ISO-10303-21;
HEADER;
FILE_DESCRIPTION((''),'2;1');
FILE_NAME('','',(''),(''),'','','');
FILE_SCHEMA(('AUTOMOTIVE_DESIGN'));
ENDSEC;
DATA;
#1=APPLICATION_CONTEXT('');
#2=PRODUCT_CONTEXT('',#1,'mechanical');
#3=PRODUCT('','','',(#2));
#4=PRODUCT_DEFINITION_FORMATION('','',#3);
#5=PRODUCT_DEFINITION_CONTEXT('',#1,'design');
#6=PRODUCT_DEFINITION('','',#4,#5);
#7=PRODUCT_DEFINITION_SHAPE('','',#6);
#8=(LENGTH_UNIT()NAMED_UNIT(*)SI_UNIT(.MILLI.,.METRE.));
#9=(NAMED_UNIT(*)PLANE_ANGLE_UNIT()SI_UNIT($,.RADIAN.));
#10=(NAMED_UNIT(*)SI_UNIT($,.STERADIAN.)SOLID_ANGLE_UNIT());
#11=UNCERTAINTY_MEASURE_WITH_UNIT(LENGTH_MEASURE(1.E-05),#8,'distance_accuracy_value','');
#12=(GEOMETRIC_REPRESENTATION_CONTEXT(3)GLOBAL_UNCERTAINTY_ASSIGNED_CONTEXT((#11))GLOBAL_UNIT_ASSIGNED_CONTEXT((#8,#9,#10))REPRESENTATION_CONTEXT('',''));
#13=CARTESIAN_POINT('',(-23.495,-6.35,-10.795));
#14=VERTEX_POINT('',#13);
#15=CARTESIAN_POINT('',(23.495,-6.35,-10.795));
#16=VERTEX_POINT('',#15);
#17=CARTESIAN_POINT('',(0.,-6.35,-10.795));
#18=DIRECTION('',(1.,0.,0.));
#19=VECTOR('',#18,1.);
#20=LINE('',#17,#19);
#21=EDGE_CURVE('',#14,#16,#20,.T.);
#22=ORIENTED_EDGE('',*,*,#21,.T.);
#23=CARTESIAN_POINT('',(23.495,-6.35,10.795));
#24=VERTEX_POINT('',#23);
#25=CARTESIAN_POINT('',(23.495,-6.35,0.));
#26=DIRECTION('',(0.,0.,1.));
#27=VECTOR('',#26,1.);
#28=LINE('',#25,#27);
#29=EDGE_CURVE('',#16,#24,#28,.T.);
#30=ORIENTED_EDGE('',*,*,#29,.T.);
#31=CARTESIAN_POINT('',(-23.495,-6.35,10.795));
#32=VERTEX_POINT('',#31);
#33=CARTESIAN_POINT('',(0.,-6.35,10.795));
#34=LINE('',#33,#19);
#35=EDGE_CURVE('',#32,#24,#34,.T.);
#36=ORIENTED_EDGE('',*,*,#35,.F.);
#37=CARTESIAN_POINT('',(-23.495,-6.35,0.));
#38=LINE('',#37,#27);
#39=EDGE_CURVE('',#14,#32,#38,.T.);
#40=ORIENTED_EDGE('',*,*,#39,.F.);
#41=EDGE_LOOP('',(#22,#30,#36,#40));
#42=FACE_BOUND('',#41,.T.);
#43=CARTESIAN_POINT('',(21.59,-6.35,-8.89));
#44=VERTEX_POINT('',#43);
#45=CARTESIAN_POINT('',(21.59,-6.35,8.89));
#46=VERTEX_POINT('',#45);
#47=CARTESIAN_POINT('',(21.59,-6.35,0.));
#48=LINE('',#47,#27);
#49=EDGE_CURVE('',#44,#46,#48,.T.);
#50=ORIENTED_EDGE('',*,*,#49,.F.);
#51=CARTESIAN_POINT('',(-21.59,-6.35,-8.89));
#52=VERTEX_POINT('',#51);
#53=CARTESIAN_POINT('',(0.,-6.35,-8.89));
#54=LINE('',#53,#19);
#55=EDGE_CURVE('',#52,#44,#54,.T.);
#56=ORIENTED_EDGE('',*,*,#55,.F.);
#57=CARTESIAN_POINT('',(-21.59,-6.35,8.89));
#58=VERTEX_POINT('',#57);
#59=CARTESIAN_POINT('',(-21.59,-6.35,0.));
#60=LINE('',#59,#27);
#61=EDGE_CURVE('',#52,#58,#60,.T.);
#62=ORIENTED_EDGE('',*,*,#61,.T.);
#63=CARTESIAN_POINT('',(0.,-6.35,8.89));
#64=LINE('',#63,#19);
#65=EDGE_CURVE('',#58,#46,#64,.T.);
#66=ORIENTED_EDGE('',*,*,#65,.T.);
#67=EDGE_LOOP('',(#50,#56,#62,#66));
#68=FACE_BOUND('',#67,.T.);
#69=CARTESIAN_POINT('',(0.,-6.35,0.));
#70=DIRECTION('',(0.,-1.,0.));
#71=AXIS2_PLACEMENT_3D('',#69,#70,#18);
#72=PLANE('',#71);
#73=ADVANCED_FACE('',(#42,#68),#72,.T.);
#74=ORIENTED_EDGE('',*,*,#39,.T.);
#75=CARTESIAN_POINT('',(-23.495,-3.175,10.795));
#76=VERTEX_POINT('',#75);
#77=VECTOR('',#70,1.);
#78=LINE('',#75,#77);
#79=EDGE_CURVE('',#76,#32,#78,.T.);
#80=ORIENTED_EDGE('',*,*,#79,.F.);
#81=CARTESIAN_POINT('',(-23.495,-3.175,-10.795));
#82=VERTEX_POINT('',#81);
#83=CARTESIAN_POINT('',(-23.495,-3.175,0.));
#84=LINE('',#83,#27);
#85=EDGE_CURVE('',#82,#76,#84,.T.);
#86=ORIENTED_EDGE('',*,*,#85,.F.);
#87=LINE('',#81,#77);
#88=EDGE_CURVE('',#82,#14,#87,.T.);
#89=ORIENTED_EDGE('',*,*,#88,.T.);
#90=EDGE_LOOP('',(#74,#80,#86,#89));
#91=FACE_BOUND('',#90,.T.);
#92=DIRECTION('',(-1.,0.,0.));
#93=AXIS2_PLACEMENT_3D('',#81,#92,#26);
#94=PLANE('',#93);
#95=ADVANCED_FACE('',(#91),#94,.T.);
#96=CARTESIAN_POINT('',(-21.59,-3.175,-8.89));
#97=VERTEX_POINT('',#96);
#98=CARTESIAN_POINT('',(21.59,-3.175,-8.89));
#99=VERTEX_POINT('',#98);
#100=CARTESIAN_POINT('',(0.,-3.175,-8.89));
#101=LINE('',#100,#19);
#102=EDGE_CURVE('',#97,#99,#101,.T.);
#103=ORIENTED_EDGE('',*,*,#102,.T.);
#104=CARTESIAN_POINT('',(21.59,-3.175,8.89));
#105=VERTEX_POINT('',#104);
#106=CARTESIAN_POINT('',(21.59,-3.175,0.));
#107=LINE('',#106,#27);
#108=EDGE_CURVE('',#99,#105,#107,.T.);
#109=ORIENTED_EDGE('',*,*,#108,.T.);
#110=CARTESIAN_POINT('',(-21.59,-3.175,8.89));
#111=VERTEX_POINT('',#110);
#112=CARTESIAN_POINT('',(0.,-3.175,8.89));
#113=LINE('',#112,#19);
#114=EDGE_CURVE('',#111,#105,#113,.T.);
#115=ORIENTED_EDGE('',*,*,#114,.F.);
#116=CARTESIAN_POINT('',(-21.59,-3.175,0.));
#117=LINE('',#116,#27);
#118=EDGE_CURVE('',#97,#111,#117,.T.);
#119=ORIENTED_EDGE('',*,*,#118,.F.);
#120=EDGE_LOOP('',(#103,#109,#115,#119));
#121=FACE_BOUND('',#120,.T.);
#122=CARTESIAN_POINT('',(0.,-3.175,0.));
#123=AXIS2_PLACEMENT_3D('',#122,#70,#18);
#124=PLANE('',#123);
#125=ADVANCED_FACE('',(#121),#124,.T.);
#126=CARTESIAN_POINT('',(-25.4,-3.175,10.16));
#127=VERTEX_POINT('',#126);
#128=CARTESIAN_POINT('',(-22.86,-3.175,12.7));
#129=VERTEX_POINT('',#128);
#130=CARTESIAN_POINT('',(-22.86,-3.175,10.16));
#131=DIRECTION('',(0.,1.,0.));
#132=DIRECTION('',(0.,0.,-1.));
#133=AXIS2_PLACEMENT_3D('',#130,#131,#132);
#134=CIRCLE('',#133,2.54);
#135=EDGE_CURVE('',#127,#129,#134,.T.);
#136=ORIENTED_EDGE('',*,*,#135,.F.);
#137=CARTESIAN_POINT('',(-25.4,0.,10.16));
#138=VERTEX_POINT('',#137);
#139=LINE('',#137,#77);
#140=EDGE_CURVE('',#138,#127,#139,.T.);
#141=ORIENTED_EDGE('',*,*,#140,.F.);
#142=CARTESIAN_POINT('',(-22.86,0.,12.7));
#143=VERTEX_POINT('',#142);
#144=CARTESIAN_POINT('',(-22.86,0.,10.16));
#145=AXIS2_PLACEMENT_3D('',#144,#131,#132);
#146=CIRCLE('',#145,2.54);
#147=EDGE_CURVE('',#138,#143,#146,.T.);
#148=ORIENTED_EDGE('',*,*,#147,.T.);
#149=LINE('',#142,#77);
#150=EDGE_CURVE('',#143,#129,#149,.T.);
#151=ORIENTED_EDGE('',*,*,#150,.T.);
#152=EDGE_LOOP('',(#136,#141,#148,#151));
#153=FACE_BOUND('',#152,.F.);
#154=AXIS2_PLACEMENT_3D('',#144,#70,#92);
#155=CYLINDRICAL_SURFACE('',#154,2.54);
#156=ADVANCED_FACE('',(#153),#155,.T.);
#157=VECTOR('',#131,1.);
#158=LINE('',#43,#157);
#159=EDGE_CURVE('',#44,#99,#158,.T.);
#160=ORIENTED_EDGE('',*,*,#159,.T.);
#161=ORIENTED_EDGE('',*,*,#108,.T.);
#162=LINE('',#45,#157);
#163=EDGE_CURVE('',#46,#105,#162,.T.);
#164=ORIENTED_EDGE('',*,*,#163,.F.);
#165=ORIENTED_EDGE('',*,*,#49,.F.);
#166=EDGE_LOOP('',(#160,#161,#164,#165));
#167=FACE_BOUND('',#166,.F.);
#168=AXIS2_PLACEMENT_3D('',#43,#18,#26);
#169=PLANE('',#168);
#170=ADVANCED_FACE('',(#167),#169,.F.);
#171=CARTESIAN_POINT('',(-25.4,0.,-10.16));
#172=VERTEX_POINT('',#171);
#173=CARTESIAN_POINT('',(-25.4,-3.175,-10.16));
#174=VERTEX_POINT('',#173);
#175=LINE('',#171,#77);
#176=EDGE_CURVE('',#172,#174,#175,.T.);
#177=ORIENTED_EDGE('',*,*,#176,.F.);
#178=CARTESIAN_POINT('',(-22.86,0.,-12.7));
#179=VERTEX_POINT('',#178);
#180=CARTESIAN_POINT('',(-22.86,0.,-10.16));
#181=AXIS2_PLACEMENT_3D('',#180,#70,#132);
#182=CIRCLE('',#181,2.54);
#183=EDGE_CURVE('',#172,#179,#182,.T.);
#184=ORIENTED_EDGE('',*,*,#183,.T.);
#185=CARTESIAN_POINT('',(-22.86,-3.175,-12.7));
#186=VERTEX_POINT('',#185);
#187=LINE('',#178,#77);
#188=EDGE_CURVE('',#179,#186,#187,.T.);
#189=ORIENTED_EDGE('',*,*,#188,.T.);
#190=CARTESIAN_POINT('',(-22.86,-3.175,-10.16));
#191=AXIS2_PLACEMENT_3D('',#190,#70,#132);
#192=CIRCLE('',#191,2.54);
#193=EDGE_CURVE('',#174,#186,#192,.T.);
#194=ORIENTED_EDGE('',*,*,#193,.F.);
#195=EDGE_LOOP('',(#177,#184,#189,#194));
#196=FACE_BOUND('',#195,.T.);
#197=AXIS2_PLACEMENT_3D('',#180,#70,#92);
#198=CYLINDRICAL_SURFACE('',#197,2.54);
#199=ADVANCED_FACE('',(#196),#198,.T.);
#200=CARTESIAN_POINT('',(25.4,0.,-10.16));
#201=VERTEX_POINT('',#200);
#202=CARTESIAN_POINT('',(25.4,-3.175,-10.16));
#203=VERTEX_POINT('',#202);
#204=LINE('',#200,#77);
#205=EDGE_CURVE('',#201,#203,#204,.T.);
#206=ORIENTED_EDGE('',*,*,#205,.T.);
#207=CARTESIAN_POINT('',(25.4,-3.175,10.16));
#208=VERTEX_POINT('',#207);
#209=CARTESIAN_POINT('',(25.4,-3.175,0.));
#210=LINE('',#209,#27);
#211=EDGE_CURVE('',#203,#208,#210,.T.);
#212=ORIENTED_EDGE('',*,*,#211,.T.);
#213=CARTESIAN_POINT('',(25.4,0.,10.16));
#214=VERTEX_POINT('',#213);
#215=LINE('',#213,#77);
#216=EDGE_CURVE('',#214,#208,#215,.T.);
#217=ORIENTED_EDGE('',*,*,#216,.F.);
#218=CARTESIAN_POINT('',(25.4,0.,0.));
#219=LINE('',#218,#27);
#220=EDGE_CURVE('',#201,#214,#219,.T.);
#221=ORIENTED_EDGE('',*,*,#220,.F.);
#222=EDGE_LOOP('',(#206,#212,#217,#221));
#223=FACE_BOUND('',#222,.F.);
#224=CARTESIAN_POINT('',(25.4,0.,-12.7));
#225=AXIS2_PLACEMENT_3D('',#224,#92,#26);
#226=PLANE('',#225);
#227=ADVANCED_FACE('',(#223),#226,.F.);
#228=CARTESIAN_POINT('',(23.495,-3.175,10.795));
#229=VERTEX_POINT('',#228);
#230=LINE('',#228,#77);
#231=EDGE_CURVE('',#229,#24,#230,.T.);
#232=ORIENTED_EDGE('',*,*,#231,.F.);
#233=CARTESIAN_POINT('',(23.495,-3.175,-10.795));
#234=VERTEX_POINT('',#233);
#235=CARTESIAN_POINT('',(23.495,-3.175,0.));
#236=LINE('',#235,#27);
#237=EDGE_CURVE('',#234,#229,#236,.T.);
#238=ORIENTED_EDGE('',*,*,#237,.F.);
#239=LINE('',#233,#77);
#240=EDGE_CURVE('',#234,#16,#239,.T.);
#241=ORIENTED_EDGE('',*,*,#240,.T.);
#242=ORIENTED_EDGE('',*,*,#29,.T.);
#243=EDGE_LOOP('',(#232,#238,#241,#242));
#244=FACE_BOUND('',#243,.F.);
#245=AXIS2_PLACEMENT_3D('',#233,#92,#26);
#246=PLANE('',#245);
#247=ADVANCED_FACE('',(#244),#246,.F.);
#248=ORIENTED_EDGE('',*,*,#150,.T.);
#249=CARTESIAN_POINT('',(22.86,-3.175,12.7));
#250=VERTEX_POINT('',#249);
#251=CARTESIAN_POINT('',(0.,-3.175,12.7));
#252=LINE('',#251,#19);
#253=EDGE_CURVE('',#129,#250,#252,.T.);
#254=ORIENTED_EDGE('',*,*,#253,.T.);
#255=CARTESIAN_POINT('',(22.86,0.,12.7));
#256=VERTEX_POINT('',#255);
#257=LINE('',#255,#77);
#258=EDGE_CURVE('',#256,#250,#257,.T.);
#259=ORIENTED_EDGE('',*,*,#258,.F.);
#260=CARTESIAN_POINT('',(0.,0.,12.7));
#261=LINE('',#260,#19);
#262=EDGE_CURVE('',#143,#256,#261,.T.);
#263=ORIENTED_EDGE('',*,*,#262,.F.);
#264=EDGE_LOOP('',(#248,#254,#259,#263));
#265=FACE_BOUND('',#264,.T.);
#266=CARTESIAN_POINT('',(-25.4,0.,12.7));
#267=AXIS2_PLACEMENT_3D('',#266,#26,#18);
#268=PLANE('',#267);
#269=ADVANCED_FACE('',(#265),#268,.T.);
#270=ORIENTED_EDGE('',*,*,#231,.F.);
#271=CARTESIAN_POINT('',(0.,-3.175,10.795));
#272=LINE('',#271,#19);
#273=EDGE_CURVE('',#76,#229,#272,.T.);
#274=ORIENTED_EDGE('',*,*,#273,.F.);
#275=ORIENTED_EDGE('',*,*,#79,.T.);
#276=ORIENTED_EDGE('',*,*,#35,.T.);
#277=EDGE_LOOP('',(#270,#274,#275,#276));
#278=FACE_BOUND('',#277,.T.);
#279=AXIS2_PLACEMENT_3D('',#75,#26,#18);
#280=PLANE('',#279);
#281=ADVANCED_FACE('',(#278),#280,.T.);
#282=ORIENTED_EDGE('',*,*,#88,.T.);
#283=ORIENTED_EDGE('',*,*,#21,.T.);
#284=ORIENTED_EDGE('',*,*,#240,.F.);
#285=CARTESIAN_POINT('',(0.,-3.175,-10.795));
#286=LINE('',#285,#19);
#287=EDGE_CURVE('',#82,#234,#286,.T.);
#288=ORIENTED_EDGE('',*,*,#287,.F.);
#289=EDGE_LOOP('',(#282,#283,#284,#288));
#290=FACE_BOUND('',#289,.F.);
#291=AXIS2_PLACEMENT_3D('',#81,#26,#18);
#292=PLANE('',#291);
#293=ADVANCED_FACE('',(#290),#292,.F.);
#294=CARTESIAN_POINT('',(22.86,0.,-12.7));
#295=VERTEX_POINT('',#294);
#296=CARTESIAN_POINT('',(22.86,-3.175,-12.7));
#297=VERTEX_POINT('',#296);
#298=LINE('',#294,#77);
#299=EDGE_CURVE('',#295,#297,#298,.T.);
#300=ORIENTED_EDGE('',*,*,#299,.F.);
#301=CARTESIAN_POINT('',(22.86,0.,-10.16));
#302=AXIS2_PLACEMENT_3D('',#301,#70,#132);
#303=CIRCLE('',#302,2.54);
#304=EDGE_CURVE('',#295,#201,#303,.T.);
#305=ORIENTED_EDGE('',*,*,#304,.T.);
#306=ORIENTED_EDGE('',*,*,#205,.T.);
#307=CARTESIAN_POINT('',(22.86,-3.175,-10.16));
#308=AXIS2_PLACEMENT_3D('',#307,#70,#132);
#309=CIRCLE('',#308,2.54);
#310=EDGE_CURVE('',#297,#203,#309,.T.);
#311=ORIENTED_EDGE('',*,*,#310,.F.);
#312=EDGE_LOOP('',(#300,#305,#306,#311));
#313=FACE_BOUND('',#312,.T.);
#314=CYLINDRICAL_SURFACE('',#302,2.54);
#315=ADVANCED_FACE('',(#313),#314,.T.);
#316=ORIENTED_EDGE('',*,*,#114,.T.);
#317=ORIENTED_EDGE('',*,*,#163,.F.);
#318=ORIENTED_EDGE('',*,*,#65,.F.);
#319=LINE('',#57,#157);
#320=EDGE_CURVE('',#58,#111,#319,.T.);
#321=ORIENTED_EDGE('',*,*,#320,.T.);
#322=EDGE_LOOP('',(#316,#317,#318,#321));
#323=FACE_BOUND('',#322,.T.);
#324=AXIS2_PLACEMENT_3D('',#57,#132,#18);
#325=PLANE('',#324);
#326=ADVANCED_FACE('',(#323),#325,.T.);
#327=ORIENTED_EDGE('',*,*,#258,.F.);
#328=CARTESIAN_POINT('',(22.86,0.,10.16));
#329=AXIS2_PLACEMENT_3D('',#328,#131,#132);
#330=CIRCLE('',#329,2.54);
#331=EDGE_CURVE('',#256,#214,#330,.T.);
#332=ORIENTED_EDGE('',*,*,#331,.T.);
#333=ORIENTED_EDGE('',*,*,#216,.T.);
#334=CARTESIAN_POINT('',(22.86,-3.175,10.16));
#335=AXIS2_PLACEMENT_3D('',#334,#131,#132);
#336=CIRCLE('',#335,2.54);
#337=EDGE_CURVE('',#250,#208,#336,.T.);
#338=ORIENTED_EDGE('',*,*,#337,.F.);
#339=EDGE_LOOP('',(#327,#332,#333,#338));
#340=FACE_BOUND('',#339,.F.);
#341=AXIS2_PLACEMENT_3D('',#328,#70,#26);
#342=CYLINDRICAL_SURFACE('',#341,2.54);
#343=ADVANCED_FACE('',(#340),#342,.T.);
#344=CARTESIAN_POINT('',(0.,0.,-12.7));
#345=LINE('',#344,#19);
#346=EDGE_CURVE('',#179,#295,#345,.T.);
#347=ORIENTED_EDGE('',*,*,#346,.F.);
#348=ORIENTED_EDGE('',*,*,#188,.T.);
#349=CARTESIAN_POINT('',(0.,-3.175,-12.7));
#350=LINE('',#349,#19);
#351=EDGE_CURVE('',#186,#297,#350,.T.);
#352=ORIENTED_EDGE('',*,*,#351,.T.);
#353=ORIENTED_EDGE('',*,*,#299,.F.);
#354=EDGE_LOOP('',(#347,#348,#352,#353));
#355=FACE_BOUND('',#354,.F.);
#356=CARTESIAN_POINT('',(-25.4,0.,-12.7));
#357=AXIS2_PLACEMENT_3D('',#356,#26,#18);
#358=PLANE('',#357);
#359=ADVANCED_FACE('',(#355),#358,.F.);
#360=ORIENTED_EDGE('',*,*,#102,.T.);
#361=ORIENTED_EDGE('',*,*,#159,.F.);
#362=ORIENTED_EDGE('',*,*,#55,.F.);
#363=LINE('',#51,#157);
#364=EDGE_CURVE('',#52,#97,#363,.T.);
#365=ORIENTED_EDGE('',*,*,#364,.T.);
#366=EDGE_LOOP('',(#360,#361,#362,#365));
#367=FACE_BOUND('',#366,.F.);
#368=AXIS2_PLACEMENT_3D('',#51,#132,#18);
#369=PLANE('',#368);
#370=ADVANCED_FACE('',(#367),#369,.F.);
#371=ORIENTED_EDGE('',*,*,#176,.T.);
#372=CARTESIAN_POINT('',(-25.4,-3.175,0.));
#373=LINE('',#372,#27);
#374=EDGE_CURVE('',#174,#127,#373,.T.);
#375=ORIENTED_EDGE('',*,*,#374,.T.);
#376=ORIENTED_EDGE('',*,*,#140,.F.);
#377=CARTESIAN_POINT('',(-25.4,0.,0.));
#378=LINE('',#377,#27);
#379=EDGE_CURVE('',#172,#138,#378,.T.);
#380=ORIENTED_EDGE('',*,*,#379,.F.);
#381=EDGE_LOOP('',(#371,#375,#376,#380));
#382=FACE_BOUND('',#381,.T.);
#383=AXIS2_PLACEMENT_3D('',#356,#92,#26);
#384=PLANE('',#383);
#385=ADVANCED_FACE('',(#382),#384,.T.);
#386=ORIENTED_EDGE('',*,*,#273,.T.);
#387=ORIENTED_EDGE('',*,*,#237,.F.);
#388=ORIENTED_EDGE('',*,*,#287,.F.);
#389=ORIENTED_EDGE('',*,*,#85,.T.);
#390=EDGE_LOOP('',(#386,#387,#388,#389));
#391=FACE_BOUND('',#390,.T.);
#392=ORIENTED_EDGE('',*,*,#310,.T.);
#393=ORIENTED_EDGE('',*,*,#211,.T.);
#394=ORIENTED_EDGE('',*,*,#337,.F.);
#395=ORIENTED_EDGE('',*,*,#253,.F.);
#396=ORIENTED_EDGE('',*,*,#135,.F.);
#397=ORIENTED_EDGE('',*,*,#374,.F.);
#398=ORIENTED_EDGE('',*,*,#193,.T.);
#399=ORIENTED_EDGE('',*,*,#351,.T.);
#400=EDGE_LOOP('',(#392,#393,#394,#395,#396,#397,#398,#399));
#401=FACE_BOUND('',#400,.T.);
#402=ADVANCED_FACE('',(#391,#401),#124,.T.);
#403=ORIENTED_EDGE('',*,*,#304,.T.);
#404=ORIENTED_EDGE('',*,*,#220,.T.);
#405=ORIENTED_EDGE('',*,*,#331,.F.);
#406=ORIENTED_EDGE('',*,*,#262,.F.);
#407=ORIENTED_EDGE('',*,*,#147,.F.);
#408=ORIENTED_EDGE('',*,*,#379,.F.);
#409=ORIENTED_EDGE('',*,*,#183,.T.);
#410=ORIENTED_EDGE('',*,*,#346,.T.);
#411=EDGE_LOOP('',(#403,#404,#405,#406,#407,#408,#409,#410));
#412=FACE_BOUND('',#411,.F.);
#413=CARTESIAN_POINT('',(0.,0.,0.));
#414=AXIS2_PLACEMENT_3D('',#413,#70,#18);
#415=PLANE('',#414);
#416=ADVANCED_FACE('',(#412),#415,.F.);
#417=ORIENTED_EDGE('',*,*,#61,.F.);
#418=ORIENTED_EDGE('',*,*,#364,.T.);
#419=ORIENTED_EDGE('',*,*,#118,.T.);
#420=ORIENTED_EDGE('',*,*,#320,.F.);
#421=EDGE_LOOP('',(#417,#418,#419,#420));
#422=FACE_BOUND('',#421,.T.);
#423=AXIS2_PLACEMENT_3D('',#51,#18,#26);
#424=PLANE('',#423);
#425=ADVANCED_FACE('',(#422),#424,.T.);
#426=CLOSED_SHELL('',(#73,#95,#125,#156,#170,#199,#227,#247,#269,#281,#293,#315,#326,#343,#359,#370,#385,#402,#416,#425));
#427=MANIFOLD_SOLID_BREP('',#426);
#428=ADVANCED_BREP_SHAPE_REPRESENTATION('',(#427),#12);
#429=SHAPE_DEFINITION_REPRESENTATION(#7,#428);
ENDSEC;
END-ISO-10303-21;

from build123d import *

# Parameters (mm, degrees)
F0_W     = 50.8
F0_H     = 25.4
F0_W_2   = 47.625
F0_H_2   = 22.225
F1_DEPTH = 3.175
F2_W     = 46.99
F2_H     = 21.59
F3_DEPTH = 3.175
F4_W     = 43.18
F4_H     = 17.78
F5_DEPTH = 3.175
F6_R     = 2.54


with BuildPart() as f1:
    # F0 (on Front) → F1 (new body)
    with BuildSketch(Plane.XZ):
        Rectangle(F0_W, F0_H)
        Rectangle(F0_W_2, F0_H_2, mode=Mode.SUBTRACT)
        Rectangle(F0_W_2, F0_H_2)
    extrude(amount=F1_DEPTH)

    # F2 (on face) → F3 (join)
    with BuildSketch(Plane.XZ.offset(3.175)):
        Rectangle(F2_W, F2_H)
    extrude(amount=F3_DEPTH)

    # F4 (on face) → F5 (cut)
    with BuildSketch(Plane.XZ.offset(6.35)):
        Rectangle(F4_W, F4_H)
    extrude(amount=-F5_DEPTH, mode=Mode.SUBTRACT)

    # F6
    f6_edges = [f1.edges().sort_by_distance(p)[0] for p in [
        (-25.4, -1.5875, -12.7),
        (25.4, -1.5875, -12.7),
        (25.4, -1.5875, 12.7),
        (-25.4, -1.5875, 12.7),
    ]]
    fillet(f6_edges, radius=F6_R)


solid = f1.part
